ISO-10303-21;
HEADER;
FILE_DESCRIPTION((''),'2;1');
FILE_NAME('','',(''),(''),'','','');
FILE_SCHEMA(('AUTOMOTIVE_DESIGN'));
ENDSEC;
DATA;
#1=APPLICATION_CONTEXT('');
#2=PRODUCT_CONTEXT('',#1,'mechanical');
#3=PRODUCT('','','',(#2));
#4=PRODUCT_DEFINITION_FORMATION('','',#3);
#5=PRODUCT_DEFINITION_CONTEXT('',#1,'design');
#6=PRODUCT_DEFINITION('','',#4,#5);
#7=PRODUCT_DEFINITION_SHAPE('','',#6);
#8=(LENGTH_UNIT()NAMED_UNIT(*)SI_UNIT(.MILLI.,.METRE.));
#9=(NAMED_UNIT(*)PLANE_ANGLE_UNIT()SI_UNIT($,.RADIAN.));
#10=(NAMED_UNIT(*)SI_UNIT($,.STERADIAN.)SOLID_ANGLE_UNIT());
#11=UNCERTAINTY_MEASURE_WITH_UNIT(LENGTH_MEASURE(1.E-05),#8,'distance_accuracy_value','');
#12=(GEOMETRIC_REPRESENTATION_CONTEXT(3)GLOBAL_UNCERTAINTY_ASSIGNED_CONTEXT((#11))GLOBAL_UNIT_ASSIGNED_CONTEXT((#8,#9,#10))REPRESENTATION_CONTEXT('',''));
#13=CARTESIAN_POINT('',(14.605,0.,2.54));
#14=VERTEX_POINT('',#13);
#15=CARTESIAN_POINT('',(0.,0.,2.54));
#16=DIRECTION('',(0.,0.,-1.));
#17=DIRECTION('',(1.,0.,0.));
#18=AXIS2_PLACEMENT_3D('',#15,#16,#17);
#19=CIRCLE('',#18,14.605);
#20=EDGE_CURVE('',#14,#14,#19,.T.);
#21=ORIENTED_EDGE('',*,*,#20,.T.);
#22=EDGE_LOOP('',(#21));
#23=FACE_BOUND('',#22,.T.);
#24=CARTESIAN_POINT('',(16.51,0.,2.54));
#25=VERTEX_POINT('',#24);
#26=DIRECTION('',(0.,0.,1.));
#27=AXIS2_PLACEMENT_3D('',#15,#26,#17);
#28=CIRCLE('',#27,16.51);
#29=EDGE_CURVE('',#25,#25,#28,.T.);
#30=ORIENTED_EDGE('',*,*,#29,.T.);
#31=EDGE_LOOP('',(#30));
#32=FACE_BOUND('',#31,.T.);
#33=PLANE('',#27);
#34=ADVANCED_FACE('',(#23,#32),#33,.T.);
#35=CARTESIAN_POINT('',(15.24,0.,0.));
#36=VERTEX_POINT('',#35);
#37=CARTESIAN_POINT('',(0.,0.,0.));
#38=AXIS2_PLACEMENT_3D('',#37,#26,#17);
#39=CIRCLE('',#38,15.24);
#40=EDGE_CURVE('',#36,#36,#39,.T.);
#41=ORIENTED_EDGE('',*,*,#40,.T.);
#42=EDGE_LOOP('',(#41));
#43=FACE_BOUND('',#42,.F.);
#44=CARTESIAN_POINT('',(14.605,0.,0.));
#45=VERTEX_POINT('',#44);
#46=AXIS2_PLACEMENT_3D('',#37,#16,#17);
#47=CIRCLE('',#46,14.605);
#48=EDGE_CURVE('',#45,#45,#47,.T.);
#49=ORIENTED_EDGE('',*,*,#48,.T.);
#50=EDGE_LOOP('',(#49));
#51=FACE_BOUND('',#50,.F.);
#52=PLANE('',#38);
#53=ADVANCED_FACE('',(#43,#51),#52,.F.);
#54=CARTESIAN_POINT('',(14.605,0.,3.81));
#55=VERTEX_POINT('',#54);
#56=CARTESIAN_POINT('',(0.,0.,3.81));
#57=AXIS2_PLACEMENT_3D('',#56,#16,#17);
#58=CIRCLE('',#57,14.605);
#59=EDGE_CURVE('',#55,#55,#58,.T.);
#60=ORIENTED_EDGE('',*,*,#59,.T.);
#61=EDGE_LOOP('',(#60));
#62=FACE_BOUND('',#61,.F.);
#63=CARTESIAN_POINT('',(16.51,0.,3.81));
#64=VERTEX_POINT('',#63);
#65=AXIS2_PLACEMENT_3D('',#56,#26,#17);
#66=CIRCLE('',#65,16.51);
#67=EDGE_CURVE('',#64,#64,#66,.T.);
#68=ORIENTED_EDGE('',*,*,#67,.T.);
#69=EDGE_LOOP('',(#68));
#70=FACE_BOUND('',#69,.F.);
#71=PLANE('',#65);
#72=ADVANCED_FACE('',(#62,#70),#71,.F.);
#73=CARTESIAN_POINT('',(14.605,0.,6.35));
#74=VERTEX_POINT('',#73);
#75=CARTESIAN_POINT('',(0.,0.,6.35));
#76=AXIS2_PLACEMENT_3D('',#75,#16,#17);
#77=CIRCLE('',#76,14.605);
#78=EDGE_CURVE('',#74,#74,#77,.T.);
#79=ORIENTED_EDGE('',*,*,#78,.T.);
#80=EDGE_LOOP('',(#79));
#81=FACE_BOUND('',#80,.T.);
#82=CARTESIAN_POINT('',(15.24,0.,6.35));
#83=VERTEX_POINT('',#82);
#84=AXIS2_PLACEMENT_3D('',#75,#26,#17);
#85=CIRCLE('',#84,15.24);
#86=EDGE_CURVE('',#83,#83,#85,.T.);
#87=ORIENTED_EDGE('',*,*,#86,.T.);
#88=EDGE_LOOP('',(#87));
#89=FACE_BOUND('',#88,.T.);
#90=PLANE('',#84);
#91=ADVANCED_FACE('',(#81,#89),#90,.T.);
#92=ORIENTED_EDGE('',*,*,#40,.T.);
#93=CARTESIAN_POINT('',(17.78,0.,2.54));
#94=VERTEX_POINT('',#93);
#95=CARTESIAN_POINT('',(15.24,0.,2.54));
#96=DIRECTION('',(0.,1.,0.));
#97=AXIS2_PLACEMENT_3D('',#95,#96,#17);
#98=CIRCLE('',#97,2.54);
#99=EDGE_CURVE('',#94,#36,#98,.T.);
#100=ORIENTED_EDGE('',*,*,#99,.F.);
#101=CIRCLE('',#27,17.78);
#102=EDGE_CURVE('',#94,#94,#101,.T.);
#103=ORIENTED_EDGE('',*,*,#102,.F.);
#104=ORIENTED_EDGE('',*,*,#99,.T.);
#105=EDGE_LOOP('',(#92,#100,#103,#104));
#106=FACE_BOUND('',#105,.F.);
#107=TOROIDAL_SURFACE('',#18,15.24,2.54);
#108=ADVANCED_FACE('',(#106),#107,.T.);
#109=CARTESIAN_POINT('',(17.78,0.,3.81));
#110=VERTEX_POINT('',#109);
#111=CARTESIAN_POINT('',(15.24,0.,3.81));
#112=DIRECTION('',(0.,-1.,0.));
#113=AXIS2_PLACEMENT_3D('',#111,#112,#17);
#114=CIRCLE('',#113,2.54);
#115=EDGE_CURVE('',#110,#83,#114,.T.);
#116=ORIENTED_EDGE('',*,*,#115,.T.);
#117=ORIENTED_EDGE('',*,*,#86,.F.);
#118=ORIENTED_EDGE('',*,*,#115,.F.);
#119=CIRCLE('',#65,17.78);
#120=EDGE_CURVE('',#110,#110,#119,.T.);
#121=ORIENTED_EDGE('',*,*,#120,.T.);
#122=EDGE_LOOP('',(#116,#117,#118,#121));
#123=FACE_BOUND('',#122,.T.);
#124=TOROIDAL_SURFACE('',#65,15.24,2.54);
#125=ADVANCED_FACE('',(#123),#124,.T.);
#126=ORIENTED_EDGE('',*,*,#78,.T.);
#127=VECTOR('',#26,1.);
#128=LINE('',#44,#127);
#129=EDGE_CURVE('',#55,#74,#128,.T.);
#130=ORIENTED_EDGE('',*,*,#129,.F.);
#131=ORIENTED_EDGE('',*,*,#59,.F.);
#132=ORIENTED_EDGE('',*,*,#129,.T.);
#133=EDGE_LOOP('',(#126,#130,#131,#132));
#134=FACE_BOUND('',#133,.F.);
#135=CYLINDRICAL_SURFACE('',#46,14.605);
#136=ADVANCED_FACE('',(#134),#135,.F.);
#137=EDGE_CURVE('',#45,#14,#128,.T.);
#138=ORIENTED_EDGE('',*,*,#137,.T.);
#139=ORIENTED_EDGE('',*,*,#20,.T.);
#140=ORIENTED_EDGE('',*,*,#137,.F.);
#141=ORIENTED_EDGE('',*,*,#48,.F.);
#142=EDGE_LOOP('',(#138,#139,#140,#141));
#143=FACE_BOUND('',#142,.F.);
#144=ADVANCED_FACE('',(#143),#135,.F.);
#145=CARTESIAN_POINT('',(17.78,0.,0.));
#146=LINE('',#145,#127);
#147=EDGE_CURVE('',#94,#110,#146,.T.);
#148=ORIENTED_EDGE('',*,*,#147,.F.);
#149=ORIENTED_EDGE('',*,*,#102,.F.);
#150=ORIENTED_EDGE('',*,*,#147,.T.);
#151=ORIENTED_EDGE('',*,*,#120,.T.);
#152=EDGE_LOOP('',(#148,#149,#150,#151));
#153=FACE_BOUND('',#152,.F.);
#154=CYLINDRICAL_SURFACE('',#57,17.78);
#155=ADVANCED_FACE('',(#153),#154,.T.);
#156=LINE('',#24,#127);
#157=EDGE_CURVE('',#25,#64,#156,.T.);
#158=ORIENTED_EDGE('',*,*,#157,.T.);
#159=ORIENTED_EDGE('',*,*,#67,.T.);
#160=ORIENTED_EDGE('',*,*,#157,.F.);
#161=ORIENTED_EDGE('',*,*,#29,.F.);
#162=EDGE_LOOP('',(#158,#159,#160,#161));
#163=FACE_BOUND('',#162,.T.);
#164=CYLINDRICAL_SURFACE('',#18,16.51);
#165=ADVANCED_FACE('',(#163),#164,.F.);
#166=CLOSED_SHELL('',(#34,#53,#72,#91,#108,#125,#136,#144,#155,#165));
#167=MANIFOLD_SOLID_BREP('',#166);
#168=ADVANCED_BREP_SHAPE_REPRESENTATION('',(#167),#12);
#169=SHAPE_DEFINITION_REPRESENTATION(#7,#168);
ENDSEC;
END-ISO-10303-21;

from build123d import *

# Parameters (mm, degrees)
F0_R     = 17.78
F1_DEPTH = 2.54
F2_R     = 17.78
F2_R_2   = 16.51
F3_DEPTH = 1.27
F4_R     = 17.78
F5_DEPTH = 2.54
F6_R     = 14.605
F7_DEPTH = 50.8
F8_R     = 2.54


with BuildPart() as f1:
    # F0 (on Top) → F1 (new body)
    with BuildSketch(Plane.XY):
        Circle(F0_R)
    extrude(amount=F1_DEPTH)

    # F2 (on face) → F3 (join)
    with BuildSketch(Plane.XY.offset(2.54)):
        Circle(F2_R)
        Circle(F2_R_2, mode=Mode.SUBTRACT)
    extrude(amount=F3_DEPTH)

    # F4 (on face) → F5 (join)
    with BuildSketch(Plane.XY.offset(3.81)):
        Circle(F4_R)
    extrude(amount=F5_DEPTH)

    # F6 (on face) → F7 (cut)
    with BuildSketch(Plane(origin=(0, 0, 0), x_dir=(1, 0, 0), z_dir=(0, 0, -1))):
        Circle(F6_R)
    extrude(amount=-F7_DEPTH, mode=Mode.SUBTRACT)

    # F8
    f8_edges = [f1.edges().sort_by_distance(p)[0] for p in [
        (-17.78, 0, 6.35),
        (-17.78, 0, 0),
    ]]
    fillet(f8_edges, radius=F8_R)


solid = f1.part
